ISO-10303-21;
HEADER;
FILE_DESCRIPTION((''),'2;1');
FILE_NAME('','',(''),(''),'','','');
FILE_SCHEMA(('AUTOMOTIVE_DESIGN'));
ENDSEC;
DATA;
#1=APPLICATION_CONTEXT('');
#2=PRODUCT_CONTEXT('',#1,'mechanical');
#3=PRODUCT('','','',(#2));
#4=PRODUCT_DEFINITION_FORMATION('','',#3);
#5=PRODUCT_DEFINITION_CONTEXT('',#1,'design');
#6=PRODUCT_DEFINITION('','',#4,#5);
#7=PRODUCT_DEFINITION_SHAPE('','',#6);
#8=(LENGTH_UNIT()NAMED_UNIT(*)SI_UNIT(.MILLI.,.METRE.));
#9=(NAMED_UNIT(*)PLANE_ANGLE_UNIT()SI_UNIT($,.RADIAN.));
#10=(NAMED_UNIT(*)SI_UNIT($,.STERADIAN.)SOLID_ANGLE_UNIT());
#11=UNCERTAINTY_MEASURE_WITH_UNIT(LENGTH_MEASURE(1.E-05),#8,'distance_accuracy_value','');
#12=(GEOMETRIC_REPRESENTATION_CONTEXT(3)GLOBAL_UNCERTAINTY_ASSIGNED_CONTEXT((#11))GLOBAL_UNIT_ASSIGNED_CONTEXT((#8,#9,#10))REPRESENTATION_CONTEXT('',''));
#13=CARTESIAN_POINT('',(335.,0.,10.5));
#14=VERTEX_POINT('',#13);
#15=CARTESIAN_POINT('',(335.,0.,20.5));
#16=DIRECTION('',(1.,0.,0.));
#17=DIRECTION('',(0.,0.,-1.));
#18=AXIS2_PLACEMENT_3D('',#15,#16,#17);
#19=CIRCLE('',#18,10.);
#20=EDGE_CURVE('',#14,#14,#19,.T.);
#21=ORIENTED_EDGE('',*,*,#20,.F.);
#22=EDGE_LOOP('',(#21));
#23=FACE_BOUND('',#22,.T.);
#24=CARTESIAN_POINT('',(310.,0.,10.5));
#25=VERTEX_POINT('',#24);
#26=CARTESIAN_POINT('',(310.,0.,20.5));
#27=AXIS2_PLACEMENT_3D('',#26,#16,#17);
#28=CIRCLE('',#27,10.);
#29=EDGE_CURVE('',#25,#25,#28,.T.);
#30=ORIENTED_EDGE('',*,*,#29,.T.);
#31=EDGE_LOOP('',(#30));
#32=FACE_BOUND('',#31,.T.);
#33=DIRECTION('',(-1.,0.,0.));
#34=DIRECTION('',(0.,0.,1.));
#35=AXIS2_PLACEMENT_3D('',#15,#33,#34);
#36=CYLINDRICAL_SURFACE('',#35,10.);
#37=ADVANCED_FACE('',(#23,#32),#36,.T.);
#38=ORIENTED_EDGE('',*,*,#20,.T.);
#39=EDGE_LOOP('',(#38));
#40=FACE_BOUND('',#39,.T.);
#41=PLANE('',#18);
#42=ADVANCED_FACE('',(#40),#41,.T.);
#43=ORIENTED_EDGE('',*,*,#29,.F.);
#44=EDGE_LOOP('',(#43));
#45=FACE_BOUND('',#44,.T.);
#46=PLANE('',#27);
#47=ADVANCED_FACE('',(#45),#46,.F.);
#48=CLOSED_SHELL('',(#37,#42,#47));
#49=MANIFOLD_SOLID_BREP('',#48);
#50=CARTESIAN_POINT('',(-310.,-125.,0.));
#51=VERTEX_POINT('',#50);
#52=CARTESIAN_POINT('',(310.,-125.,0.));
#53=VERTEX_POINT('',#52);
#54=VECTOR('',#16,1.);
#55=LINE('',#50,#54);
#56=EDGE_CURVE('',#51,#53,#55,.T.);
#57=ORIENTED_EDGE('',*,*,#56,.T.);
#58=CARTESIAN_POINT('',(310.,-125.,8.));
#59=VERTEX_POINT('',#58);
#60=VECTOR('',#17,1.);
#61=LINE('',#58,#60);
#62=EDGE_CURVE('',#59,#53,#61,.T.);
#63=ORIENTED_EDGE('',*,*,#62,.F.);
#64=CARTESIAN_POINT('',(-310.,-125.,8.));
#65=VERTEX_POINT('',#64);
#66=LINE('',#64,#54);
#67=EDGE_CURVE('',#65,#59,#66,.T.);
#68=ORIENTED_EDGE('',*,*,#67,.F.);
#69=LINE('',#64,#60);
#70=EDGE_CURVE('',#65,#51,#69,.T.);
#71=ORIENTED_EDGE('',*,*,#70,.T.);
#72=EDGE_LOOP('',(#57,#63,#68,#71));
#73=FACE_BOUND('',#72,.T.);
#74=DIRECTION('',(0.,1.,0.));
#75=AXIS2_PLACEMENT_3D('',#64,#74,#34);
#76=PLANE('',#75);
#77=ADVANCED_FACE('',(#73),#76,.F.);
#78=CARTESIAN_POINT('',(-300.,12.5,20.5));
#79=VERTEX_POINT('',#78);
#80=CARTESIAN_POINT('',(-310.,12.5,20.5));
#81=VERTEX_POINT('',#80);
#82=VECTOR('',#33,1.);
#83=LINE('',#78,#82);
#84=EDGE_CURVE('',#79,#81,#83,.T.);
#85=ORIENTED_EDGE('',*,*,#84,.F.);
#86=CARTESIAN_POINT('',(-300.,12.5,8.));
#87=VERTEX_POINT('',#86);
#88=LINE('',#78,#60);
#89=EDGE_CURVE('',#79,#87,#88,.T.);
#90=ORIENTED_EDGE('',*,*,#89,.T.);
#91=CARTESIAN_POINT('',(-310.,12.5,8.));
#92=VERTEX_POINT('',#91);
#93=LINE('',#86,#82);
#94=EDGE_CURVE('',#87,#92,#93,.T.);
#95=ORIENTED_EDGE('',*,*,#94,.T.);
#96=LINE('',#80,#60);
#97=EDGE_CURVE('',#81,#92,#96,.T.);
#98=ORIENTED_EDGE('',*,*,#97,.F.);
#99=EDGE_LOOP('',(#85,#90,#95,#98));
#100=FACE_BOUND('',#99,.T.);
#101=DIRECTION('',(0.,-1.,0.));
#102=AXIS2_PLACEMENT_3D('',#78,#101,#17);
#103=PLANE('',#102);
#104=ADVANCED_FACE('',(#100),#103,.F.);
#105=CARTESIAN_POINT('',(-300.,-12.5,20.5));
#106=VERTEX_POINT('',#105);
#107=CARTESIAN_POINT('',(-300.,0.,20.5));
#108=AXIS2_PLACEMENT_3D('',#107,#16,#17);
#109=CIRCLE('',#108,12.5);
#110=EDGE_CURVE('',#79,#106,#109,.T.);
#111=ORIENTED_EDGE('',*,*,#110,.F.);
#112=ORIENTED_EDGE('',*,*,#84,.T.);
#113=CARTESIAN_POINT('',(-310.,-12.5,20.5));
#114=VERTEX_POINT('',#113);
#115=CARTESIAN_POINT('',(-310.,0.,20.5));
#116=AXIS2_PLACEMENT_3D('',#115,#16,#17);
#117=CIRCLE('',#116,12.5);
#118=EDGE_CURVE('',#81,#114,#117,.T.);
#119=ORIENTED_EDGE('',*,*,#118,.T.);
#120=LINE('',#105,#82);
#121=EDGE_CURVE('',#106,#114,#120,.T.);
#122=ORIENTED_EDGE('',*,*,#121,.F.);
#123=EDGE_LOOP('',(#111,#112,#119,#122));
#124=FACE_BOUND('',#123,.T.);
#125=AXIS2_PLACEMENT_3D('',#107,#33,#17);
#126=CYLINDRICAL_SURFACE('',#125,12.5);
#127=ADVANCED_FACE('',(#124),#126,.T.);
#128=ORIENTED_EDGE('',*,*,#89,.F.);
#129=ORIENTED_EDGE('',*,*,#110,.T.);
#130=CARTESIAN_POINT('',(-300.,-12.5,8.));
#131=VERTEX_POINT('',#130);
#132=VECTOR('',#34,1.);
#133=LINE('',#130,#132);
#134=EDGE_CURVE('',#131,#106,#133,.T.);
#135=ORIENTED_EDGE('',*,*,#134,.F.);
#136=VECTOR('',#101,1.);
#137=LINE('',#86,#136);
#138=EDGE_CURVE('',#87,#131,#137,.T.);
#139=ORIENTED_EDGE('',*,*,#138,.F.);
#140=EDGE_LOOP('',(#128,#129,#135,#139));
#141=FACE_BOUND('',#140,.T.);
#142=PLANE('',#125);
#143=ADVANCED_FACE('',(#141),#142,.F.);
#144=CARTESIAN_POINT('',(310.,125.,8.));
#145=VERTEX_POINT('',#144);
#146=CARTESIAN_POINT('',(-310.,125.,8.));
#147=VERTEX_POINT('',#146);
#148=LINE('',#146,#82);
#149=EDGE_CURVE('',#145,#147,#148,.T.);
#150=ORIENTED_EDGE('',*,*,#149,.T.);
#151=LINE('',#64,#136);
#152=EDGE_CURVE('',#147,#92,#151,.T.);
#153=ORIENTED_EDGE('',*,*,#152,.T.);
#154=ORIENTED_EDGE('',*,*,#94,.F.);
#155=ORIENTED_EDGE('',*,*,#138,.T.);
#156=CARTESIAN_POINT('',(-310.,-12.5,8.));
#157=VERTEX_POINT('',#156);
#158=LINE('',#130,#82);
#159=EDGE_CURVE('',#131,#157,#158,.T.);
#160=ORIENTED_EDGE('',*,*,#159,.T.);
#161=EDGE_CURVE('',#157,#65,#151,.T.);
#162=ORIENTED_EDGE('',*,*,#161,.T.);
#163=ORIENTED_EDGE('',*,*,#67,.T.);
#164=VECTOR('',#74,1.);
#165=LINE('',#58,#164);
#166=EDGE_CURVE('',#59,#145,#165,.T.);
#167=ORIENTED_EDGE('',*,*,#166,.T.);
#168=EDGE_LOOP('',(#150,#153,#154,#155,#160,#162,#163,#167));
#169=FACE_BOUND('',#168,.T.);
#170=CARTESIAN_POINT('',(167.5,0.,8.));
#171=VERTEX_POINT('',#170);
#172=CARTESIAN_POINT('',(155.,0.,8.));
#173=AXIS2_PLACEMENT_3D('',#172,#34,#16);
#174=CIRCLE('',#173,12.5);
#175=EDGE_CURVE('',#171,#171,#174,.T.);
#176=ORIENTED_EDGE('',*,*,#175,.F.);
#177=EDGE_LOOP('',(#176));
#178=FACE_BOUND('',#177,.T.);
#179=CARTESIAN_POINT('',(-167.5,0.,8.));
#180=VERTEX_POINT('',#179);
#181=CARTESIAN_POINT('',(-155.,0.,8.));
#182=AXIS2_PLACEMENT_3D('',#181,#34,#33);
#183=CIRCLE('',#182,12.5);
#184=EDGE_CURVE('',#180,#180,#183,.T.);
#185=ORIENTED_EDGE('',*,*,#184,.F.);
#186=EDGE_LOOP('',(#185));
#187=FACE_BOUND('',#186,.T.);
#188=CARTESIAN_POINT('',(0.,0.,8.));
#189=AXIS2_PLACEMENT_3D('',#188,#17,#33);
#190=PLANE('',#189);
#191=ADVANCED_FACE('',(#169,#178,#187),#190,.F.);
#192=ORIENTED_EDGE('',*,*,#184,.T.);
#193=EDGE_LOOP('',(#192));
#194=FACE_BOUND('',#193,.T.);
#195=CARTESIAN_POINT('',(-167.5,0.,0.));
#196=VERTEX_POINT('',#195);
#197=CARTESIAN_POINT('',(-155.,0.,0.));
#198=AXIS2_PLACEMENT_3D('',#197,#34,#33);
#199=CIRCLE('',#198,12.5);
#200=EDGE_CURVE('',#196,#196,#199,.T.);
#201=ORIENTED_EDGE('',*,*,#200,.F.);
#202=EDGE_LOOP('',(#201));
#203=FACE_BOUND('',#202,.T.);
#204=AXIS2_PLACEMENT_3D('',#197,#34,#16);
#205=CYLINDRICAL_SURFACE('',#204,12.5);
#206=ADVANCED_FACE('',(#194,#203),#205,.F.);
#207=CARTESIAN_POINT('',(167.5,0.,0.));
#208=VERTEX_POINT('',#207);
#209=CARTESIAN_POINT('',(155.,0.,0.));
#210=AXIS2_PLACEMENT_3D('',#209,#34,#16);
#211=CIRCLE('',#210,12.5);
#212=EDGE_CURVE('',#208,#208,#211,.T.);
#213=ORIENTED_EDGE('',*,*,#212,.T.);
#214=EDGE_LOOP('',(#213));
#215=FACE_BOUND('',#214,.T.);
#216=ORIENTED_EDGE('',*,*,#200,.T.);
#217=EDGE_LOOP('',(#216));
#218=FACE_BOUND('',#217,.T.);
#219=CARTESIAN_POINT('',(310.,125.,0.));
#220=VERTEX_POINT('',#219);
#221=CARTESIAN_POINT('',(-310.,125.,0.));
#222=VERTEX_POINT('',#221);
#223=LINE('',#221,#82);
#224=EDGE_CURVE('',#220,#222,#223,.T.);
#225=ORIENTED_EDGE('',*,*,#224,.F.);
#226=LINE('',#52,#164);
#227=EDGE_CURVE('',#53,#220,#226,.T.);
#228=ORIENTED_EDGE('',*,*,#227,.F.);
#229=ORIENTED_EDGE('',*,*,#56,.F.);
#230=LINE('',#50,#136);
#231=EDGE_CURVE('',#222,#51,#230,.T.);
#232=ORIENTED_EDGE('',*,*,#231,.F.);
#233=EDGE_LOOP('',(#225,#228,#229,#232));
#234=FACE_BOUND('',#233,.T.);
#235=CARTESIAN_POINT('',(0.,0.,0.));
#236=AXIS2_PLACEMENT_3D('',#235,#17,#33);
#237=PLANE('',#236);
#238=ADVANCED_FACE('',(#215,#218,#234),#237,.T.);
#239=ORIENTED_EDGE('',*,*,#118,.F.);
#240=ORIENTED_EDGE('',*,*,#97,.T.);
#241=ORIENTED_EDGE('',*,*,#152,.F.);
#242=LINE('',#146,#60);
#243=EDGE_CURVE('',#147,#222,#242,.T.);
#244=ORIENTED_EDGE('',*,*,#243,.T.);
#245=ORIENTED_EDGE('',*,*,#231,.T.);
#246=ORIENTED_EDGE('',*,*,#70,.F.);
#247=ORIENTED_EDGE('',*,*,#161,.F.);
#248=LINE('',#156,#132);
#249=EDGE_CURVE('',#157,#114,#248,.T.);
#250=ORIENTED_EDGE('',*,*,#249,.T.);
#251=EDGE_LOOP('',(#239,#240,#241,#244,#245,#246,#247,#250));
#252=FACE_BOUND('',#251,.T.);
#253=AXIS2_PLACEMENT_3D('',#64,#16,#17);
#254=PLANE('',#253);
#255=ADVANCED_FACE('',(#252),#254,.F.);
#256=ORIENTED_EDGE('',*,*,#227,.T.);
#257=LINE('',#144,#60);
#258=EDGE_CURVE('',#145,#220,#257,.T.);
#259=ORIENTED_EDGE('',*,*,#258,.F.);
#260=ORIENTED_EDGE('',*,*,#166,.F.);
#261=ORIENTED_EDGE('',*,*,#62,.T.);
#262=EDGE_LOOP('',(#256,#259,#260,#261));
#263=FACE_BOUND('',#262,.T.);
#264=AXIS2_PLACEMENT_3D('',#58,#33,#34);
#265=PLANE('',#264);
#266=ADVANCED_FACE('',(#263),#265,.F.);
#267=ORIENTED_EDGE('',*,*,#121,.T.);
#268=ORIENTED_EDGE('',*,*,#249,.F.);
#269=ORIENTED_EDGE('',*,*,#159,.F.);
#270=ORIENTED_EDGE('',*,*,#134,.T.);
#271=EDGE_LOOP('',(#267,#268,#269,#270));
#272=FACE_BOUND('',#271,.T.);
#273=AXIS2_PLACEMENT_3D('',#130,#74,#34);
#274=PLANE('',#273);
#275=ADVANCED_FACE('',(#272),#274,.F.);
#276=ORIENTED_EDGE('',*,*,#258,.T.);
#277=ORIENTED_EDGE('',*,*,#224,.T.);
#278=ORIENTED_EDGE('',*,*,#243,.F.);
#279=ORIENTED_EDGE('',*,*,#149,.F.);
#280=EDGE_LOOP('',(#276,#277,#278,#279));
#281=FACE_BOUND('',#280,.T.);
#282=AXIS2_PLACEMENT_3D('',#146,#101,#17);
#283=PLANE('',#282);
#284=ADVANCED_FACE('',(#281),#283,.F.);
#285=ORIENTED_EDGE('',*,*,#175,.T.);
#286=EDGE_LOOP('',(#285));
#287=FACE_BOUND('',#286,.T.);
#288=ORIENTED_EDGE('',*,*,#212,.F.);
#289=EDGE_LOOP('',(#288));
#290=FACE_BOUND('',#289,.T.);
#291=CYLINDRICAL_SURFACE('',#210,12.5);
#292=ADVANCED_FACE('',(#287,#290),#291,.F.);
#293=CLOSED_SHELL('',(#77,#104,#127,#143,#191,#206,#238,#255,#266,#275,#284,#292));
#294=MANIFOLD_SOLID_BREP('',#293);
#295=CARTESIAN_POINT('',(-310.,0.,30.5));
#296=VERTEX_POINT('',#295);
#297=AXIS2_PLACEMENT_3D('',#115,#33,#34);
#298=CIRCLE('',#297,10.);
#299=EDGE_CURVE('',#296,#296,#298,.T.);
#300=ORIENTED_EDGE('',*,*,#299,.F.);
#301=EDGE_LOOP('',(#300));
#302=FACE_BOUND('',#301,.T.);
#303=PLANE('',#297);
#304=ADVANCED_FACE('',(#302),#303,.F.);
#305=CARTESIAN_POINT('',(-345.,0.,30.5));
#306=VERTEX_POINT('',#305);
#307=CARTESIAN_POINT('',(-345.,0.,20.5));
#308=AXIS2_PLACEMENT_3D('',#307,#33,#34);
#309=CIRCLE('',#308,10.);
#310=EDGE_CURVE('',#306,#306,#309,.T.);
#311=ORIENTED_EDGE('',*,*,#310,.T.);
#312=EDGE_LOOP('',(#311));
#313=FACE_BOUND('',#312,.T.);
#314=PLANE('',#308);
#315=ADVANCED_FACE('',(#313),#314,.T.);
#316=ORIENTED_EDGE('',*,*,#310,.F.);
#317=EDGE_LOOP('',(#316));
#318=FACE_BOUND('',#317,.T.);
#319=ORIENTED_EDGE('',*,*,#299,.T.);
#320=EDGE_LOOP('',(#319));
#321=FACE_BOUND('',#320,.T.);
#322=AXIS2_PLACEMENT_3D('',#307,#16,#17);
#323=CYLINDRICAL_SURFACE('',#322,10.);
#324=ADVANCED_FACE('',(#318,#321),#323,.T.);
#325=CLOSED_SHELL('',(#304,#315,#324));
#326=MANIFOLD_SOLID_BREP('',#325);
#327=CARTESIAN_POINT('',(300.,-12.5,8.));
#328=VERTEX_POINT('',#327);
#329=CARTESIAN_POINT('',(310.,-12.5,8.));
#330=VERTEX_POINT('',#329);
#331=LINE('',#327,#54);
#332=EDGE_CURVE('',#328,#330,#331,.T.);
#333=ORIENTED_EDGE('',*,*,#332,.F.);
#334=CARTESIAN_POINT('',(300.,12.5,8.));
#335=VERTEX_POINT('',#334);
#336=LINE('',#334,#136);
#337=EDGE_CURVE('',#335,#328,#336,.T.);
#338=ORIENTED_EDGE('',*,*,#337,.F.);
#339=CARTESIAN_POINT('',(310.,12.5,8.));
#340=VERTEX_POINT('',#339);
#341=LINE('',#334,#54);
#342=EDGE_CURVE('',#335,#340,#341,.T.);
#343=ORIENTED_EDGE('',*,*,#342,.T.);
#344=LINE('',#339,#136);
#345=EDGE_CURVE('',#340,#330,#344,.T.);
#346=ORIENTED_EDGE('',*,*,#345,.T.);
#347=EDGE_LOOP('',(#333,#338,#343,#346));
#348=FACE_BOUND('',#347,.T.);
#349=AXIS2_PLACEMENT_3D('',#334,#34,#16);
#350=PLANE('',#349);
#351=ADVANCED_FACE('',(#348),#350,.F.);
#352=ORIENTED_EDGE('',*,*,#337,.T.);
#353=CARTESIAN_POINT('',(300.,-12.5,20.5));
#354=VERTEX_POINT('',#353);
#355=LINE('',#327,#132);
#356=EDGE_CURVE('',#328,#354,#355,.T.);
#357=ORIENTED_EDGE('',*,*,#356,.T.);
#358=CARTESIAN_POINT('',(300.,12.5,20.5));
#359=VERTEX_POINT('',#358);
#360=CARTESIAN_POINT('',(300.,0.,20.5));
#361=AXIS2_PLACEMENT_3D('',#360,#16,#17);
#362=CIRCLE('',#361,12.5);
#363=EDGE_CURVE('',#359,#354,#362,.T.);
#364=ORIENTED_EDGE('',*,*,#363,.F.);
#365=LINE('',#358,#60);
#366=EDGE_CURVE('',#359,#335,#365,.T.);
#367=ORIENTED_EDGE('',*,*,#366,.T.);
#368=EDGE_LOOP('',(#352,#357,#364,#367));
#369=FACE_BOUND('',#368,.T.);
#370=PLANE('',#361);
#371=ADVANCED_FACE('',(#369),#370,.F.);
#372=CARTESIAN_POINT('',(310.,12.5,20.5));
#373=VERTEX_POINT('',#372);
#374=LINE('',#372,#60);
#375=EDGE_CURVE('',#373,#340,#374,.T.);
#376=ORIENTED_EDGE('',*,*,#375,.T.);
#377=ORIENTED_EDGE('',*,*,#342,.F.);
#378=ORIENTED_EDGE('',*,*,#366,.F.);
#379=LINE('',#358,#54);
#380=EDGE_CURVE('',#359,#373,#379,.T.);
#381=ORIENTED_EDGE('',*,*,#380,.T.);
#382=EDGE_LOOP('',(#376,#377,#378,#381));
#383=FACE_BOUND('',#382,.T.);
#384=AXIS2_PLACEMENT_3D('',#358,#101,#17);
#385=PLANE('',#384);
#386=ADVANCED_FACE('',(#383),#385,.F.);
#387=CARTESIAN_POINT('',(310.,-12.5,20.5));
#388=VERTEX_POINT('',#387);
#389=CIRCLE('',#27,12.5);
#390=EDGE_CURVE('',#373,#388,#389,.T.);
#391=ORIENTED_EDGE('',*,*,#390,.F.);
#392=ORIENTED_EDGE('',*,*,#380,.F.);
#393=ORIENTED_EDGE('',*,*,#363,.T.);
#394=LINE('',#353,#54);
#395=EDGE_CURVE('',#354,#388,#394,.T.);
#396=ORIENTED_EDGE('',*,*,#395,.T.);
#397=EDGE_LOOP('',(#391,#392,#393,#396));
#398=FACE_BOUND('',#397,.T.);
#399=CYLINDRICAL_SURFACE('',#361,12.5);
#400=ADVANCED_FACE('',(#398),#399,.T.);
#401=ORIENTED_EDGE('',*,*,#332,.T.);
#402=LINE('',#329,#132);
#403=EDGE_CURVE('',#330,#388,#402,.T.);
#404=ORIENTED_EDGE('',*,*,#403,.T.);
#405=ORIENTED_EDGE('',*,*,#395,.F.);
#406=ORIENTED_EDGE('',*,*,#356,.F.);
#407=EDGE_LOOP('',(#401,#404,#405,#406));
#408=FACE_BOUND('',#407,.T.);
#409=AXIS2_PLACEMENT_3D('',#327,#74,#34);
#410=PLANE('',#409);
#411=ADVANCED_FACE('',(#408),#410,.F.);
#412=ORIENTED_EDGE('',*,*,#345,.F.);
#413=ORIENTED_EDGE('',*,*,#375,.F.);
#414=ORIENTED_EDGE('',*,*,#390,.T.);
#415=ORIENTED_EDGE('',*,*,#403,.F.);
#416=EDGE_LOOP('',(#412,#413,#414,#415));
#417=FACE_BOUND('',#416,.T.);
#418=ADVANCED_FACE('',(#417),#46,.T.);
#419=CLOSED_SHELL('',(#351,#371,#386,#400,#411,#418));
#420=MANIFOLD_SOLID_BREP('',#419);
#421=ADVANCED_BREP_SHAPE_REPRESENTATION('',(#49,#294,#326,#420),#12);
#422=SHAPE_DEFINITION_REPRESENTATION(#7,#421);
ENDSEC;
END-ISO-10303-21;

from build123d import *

# Parameters (mm, degrees)
SKETCH1_W           = 620
SKETCH1_H           = 250
BOSS_EXTRUDE1_DEPTH = 8
SKETCH2_R           = 12.5
CUT_EXTRUDE1_DEPTH  = 8
BOSS_EXTRUDE2_DEPTH = 10
SKETCH4_R           = 10
BOSS_EXTRUDE3_DEPTH = 25
SKETCH5_R           = 10
BOSS_EXTRUDE4_DEPTH = 35


with BuildPart() as part:
    # Sketch1 → Boss-Extrude1 (new body)
    with BuildSketch(Plane.XY):
        Rectangle(SKETCH1_W, SKETCH1_H)
    extrude(amount=BOSS_EXTRUDE1_DEPTH)

    # Sketch2 → Cut-Extrude1 (cut)
    with BuildSketch(Plane.XY.offset(8)):
        with Locations((155, 0)):
            Circle(SKETCH2_R)
        with Locations(Location((-155, 0, 0), (0, 0, 180))):
            Circle(SKETCH2_R)
    extrude(amount=-CUT_EXTRUDE1_DEPTH, mode=Mode.SUBTRACT)


with BuildPart() as body_2:
    # Sketch3 → Boss-Extrude2 (new body)
    with BuildSketch(Plane(origin=(310, 0, 0), x_dir=(0, 0, -1), z_dir=(1, 0, 0))):
        with BuildLine():
            Line((-20.5, 12.5), (-8, 12.5))
            Line((-8, 12.5), (-8, -12.5))
            Line((-8, -12.5), (-20.5, -12.5))
            ThreePointArc((-20.5, -12.5), (-33, 0), (-20.5, 12.5))
        make_face()
    boss_extrude2 = extrude(amount=-BOSS_EXTRUDE2_DEPTH)


with BuildPart() as body_3:
    # Sketch4 → Boss-Extrude3 (new body)
    with BuildSketch(Plane(origin=(310, 0, 0), x_dir=(0, 0, -1), z_dir=(1, 0, 0))):
        with Locations((-20.5, 0)):
            Circle(SKETCH4_R)
    extrude(amount=BOSS_EXTRUDE3_DEPTH)


with BuildPart() as part_1:
    add(part.part)

    # Mirror2: Boss-Extrude2 across plane
    add(boss_extrude2.mirror(Plane(origin=(0, 0, 0), x_dir=(0, 0, 1), z_dir=(1, 0, 0))))


with BuildPart() as body_4:
    # Sketch5 → Boss-Extrude4 (new body)
    with BuildSketch(Plane.ZY.offset(310)):
        with Locations((20.5, 0)):
            Circle(SKETCH5_R)
    extrude(amount=BOSS_EXTRUDE4_DEPTH)


solid = Compound([body_2.part, body_3.part, part_1.part, body_4.part])
